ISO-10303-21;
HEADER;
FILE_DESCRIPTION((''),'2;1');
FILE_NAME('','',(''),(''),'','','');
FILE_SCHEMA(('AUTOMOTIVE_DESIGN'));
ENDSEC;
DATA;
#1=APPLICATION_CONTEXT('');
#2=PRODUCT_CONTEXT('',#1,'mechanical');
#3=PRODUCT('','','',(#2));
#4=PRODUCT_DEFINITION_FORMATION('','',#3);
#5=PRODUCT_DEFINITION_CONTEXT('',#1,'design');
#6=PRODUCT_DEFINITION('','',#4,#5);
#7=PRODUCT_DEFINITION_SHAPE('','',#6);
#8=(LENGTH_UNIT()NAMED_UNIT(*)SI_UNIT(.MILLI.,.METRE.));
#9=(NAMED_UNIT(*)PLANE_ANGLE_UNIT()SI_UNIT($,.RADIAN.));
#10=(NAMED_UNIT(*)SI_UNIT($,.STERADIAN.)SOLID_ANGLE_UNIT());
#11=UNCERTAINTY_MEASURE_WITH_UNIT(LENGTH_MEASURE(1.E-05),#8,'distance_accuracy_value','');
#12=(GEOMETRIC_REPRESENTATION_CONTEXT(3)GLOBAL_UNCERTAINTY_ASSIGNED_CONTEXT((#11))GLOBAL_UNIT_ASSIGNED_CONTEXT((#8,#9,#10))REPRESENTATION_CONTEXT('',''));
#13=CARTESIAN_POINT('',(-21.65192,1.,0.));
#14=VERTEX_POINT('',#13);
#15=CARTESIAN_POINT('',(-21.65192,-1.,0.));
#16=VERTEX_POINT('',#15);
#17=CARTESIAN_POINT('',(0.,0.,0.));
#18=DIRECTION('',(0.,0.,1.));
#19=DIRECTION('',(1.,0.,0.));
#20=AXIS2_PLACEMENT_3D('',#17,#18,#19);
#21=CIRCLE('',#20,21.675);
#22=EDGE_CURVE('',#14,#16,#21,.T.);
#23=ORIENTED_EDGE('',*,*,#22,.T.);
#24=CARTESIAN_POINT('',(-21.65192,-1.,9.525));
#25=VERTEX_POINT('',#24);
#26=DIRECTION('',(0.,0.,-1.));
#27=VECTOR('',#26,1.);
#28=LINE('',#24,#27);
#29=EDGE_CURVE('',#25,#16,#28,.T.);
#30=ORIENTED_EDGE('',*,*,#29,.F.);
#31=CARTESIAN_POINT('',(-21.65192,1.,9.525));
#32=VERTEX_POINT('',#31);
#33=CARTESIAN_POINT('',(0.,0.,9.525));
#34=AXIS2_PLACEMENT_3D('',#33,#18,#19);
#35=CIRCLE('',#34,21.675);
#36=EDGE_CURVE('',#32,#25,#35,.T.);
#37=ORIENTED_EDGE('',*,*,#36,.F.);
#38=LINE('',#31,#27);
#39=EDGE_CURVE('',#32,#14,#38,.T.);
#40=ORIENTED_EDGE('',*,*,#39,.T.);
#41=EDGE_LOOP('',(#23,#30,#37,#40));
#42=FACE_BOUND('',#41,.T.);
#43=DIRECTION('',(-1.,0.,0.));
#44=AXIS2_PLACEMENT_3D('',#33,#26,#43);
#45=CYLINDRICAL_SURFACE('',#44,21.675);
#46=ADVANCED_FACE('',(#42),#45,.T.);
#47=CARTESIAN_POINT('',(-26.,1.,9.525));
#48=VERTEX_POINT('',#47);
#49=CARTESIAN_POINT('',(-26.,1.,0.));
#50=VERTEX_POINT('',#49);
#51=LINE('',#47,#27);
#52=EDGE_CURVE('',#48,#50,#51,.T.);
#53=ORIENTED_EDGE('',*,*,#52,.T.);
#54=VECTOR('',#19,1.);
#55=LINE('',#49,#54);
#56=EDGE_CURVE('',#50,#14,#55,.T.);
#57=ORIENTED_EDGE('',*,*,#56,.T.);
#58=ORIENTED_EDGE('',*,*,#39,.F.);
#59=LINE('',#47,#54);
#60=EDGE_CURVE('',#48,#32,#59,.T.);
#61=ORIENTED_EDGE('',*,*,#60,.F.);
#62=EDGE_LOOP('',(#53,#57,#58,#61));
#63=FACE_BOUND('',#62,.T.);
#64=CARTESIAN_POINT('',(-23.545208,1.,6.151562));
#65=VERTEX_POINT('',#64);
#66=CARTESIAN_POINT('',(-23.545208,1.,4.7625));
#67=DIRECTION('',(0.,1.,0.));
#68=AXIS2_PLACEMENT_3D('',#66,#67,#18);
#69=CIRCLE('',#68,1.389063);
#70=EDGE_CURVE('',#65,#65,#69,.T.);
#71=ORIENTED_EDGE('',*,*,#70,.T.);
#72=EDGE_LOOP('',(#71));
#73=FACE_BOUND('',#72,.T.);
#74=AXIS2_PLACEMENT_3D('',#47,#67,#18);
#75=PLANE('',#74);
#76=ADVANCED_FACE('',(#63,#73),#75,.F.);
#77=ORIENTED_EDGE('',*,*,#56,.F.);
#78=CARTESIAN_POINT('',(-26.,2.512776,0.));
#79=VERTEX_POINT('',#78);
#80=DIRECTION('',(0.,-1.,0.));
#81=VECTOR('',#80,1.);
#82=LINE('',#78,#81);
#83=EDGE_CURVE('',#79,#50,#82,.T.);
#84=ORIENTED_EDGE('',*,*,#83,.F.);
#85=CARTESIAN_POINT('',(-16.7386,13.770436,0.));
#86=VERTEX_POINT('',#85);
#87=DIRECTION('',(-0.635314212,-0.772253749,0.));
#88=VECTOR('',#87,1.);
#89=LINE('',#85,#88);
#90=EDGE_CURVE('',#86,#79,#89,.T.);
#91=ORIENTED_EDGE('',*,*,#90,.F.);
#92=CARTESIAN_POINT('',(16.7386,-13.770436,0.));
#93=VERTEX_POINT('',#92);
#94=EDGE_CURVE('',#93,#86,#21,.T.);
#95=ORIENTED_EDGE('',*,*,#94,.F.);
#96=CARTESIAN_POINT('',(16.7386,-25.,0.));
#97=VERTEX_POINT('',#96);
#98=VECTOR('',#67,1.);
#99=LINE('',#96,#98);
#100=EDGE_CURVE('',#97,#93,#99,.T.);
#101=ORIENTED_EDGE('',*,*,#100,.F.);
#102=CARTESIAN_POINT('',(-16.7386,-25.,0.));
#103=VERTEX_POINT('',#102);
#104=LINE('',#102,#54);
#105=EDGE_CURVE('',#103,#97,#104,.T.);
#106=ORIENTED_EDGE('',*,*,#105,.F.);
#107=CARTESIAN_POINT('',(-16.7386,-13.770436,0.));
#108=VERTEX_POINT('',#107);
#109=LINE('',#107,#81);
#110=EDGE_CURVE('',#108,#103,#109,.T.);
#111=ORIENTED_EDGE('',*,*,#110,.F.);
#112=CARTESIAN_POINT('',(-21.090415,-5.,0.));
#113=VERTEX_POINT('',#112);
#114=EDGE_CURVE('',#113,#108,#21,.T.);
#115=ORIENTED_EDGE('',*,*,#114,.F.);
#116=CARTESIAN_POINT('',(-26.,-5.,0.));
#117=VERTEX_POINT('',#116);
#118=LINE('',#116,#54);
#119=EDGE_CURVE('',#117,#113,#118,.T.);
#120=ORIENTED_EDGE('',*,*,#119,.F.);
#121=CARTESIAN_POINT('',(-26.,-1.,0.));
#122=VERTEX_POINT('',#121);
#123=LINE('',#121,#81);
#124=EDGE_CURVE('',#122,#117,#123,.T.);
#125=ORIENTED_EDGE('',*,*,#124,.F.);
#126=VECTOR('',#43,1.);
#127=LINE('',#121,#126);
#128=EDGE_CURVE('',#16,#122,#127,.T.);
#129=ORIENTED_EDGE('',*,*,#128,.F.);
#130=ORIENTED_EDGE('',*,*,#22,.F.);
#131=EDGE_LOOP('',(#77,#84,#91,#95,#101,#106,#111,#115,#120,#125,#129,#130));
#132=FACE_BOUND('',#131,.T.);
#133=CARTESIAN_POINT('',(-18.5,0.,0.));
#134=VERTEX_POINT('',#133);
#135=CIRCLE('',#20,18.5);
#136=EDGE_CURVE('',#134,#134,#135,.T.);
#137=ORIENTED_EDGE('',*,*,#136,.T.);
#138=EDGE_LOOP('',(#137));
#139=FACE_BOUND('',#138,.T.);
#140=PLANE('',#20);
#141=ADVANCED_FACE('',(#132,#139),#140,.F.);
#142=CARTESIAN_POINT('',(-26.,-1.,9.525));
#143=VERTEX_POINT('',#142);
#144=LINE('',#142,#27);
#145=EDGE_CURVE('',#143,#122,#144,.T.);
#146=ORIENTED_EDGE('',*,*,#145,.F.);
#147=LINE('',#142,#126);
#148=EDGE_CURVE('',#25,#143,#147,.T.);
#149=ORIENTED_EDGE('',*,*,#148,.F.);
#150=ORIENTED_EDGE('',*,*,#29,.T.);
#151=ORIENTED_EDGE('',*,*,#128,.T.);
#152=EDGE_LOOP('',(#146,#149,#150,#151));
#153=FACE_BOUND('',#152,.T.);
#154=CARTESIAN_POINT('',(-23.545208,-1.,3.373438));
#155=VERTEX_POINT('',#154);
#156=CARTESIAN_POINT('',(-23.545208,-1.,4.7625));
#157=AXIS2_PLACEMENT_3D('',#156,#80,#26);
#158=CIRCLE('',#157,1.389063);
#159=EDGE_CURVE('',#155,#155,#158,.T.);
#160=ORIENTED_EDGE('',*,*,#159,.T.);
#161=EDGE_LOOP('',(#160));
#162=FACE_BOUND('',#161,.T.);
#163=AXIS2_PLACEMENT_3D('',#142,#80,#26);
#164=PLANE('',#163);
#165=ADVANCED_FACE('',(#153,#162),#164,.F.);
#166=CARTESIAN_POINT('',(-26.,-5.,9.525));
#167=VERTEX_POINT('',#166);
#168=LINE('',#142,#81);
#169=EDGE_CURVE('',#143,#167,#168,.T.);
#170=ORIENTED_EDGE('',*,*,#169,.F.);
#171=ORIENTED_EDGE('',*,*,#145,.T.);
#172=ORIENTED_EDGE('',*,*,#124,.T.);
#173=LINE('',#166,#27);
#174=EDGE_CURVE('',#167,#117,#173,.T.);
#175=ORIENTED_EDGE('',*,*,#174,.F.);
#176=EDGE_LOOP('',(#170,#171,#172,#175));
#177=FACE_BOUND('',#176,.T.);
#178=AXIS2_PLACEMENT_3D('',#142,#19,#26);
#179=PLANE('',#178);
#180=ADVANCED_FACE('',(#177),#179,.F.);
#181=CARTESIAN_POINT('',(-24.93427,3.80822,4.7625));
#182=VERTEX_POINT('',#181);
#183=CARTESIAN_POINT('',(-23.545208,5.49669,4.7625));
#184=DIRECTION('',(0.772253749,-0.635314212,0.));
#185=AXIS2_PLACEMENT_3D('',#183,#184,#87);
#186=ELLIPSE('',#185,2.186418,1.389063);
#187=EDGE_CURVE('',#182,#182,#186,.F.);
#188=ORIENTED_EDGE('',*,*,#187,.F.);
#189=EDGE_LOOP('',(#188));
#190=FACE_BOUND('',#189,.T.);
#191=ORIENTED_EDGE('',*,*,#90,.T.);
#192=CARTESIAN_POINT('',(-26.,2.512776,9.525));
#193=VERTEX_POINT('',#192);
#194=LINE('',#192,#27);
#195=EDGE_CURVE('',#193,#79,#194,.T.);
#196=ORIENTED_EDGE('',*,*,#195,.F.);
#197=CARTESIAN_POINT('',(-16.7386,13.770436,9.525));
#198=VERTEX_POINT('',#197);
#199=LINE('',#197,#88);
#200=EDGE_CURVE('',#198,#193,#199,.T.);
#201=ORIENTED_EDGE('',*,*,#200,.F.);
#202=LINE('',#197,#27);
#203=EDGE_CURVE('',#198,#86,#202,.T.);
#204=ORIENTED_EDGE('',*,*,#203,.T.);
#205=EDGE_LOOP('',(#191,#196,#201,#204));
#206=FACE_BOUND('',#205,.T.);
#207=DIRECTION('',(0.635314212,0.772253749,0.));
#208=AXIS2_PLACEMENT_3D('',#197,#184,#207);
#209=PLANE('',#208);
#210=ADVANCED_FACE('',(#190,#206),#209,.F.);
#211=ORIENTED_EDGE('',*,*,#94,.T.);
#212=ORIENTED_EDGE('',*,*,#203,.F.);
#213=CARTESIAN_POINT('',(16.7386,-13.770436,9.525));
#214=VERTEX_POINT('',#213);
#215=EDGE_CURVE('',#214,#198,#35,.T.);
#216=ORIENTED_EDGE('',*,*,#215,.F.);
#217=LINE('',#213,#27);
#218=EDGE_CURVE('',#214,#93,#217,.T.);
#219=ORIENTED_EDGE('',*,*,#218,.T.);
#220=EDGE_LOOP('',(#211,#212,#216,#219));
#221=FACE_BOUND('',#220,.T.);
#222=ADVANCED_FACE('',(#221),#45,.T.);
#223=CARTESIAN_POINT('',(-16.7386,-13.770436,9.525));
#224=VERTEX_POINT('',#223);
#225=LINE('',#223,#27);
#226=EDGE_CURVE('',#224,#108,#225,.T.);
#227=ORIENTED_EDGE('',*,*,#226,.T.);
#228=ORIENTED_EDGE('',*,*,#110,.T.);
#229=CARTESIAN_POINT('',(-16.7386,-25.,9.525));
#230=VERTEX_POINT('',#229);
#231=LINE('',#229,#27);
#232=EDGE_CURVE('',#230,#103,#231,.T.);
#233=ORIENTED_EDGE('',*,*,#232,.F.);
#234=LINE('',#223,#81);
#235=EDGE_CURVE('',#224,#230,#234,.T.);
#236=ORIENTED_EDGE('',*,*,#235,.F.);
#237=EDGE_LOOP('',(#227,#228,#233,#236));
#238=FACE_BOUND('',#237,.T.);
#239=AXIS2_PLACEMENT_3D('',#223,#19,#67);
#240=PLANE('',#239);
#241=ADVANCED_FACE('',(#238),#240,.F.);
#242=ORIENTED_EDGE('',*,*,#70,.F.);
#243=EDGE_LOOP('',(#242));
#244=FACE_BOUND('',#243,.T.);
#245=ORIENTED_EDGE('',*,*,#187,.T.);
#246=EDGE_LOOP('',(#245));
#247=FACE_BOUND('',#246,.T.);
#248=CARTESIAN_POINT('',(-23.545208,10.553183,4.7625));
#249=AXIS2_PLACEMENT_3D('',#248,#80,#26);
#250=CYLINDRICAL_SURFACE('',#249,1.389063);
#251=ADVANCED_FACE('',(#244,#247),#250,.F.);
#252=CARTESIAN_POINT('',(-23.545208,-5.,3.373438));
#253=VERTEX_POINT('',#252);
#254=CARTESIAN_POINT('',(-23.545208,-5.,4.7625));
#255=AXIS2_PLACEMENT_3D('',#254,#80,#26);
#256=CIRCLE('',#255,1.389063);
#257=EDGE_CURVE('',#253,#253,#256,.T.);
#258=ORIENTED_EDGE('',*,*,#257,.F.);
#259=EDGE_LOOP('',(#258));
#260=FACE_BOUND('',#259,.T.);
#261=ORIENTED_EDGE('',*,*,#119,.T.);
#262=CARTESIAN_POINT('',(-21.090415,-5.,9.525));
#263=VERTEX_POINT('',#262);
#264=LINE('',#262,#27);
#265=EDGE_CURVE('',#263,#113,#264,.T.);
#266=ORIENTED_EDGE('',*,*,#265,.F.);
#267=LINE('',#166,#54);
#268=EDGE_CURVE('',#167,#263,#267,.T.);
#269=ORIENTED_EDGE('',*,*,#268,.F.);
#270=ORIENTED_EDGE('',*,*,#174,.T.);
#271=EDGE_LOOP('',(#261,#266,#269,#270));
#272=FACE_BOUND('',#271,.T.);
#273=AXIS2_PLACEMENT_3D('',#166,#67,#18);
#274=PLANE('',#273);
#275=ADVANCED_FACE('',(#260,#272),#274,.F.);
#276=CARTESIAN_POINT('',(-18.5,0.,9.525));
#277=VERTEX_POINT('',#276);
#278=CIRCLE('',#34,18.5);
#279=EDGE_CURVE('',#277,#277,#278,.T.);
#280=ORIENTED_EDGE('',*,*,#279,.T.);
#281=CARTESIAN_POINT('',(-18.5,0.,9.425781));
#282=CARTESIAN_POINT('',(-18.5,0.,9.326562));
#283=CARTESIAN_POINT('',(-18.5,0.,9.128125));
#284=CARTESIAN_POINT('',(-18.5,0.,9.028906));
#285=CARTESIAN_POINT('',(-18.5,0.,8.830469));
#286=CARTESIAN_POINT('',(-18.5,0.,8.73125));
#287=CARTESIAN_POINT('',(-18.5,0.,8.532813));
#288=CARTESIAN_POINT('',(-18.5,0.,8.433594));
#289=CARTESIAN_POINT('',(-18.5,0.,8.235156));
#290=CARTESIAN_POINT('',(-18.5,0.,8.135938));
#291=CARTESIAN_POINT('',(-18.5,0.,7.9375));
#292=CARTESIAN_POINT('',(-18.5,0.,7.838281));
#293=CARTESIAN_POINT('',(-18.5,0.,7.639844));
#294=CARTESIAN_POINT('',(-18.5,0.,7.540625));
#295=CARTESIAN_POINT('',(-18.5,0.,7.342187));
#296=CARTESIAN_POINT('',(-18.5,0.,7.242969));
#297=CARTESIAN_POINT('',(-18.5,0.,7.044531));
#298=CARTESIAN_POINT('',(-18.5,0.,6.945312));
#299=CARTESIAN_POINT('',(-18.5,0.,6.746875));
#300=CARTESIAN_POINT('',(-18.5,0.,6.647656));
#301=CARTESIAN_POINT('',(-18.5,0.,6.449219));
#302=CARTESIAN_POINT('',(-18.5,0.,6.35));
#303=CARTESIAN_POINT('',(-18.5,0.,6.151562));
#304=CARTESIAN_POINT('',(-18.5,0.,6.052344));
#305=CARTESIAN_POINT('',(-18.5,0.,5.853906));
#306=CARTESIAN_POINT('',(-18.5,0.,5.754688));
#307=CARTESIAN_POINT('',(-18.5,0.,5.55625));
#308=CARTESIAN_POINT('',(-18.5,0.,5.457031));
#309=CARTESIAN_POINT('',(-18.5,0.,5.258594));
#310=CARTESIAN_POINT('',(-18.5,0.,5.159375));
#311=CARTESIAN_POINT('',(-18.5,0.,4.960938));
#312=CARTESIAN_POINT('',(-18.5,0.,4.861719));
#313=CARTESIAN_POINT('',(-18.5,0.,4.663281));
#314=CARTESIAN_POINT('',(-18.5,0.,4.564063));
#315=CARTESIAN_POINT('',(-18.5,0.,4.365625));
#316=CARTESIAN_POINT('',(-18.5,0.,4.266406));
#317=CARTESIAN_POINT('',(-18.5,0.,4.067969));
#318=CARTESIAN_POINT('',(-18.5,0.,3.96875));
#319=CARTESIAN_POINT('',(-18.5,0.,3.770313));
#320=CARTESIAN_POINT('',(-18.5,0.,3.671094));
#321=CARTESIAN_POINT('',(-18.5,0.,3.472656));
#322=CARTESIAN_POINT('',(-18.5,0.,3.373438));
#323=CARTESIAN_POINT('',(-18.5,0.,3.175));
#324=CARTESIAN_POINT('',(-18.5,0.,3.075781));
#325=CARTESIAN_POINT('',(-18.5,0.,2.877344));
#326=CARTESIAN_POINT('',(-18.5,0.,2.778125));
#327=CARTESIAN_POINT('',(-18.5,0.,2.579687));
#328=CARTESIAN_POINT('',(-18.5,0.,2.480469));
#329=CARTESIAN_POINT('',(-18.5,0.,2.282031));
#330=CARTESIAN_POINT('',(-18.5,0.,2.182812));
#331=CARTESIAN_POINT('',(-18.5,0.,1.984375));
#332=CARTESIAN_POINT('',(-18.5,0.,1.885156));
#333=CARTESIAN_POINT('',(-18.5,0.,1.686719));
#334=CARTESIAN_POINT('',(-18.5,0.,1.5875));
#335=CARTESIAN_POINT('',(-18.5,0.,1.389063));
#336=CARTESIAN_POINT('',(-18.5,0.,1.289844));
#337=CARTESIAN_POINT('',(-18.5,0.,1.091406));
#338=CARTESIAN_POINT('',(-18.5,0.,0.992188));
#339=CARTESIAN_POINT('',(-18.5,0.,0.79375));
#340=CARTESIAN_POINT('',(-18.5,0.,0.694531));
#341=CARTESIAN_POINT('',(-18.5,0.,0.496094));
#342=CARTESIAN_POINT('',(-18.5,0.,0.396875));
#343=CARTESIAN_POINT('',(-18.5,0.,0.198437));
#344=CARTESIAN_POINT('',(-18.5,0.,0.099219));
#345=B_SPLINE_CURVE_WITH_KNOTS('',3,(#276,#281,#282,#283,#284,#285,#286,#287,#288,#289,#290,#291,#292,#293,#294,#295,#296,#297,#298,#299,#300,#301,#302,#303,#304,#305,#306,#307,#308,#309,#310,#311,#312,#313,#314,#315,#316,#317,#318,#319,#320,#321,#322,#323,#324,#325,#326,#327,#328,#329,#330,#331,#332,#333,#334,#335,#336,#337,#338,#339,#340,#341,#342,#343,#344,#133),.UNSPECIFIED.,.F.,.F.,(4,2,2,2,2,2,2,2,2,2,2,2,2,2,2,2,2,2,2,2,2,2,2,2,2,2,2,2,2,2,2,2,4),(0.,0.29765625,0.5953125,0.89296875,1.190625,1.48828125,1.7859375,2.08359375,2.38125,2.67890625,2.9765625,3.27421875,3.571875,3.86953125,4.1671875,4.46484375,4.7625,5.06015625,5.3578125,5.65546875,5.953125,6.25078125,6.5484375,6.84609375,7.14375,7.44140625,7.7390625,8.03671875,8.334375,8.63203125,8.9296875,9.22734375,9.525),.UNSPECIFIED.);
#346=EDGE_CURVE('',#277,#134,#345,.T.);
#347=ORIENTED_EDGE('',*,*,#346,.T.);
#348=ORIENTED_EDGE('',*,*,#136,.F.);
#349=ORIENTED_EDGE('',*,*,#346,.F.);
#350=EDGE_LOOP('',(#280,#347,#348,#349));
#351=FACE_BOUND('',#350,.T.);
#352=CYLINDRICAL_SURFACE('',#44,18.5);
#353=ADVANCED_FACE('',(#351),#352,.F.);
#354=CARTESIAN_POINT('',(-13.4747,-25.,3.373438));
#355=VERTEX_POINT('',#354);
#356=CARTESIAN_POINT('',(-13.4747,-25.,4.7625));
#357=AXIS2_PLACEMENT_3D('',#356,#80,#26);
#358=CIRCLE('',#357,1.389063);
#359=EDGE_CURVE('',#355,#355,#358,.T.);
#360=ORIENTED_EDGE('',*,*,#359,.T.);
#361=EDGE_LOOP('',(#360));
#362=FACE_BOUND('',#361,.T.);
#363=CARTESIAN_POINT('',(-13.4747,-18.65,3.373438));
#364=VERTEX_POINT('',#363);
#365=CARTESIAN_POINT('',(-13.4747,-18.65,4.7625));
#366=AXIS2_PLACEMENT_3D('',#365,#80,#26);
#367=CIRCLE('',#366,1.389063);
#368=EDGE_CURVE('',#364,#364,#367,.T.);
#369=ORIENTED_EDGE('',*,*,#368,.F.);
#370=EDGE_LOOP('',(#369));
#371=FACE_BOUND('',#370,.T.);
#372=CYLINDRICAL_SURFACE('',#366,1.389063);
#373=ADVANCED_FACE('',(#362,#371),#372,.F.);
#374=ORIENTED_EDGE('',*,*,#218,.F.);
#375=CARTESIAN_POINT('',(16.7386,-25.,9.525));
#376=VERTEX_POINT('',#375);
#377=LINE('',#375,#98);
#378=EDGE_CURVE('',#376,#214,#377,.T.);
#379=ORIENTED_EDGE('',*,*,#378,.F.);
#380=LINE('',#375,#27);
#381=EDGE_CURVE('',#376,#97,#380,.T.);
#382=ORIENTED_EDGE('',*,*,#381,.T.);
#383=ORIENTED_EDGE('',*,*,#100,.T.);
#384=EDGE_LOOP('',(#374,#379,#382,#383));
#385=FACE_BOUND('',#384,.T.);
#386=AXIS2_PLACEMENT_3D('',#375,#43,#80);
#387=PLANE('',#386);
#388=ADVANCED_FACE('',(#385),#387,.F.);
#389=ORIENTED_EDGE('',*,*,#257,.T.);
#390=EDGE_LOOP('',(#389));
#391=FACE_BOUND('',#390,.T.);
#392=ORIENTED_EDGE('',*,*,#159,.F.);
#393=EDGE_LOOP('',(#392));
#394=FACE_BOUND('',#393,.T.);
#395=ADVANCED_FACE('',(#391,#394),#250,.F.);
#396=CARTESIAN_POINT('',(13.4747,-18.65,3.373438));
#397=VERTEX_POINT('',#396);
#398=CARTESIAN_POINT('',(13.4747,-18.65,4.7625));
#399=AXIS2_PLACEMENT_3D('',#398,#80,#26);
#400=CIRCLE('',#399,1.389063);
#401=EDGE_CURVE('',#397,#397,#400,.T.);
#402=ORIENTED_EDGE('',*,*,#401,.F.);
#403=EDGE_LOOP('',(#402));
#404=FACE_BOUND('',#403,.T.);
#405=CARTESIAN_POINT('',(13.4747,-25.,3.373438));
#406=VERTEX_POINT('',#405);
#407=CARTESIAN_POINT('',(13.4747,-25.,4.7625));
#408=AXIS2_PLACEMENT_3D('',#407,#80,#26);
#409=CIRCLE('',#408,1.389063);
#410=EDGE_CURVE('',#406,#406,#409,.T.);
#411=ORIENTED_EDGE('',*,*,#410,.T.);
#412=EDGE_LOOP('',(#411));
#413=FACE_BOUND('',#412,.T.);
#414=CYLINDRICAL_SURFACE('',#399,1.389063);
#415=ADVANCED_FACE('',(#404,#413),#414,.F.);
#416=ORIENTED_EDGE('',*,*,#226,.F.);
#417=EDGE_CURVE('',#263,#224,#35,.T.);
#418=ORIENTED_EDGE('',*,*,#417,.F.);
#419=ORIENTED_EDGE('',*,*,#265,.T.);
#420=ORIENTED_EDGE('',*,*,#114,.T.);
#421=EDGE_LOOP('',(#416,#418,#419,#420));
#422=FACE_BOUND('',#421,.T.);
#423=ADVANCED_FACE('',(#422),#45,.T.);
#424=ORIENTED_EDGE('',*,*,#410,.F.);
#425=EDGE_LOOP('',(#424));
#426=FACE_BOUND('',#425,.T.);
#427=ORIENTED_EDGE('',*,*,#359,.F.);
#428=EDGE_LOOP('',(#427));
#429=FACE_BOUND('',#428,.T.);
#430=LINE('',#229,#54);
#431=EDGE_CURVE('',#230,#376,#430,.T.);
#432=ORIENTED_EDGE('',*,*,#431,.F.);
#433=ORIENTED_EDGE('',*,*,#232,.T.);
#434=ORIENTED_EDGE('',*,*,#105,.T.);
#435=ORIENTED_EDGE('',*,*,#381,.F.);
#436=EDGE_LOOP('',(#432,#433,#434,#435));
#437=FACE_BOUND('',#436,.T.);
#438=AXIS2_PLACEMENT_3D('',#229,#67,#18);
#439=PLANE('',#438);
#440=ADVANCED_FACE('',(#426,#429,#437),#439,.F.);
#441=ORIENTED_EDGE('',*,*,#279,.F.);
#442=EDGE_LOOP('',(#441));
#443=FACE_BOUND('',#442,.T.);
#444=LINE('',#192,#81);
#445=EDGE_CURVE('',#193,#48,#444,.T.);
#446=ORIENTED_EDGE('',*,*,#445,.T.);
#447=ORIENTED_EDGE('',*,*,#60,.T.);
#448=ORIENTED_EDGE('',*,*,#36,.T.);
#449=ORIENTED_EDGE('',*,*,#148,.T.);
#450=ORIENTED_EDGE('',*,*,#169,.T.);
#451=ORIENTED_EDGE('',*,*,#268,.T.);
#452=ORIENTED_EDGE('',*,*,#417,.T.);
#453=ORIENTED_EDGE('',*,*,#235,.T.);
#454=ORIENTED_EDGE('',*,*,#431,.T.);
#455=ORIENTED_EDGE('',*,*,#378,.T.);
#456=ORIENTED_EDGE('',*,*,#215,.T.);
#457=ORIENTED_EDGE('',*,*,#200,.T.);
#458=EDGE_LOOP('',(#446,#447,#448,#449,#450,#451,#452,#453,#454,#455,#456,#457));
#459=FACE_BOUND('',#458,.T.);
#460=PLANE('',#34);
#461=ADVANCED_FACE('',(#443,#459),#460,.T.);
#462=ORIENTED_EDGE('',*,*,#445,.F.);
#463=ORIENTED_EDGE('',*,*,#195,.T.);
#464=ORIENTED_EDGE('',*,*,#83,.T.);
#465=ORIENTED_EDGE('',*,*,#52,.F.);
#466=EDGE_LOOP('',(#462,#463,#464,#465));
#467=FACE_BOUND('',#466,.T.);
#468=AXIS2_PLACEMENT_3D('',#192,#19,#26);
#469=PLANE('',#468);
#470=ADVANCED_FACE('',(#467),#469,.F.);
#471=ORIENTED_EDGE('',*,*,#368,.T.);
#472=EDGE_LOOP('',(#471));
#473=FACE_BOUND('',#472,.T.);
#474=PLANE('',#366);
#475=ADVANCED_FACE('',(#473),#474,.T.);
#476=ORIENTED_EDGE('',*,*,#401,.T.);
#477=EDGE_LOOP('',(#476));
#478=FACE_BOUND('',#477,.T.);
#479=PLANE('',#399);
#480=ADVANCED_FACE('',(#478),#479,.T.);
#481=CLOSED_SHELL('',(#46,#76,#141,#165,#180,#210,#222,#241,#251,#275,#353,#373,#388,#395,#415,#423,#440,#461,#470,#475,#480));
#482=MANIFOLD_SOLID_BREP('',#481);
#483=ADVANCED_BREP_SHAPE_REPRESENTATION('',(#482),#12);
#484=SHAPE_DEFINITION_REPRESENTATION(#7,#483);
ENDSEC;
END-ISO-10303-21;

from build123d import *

# Parameters (mm, degrees)
SKETCH1_R           = 18.5
BOSS_EXTRUDE1_DEPTH = 9.525
SKETCH2_R           = 1.3890625
CUT_EXTRUDE1_DEPTH  = 6.35
CUT_EXTRUDE2_REACH  = 40.448
SKETCH3_R           = 1.3890625


with BuildPart() as part:
    # Sketch1 → Boss-Extrude1 (new body)
    with BuildSketch(Plane.XY):
        with BuildLine():
            Line((-16.7386, 13.770435543), (-26, 2.512776367))
            Line((-26, 2.512776367), (-26, 1))
            Line((-26, 1), (-21.651919661, 1))
            ThreePointArc((-21.651919661, 1), (-21.675, 0), (-21.651919661, -1))
            Line((-21.651919661, -1), (-26, -1))
            Line((-26, -1), (-26, -5))
            Line((-26, -5), (-21.090415477, -5))
            ThreePointArc((-21.090415477, -5), (-19.416197823, -9.634152122), (-16.7386, -13.770435543))
            Line((-16.7386, -13.770435543), (-16.7386, -25))
            Line((-16.7386, -25), (16.7386, -25))
            Line((16.7386, -25), (16.7386, -13.770435543))
            ThreePointArc((16.7386, -13.770435543), (13.770435543, 16.7386), (-16.7386, 13.770435543))
        make_face()
        with Locations(Location((0, 0, 0), (0, 0, 180))):
            Circle(SKETCH1_R, mode=Mode.SUBTRACT)
    extrude(amount=BOSS_EXTRUDE1_DEPTH)

    # Sketch2 → Cut-Extrude1 (cut)
    with BuildSketch(Plane.XZ.offset(25)):
        with Locations(Location((-13.4747, 4.7625, 0), (0, 0, 270))):
            Circle(SKETCH2_R)
        with Locations(Location((13.4747, 4.7625, 0), (0, 0, 270))):
            Circle(SKETCH2_R)
    extrude(amount=-CUT_EXTRUDE1_DEPTH, mode=Mode.SUBTRACT)

    # Cut-Extrude2: up to this plane
    cut_extrude2_end = Plane(origin=(-16.7386, 13.770435543, 9.525), z_dir=(0.7722537485582471, -0.635314211896551, 0))
    # Sketch3 → Cut-Extrude2 (cut, up to the surface)
    with BuildSketch(Plane.XZ.offset(5), mode=Mode.PRIVATE) as cut_extrude2_sk1:
        with Locations(Location((-23.545207739, 4.7625, 0), (0, 0, 180))):
            Circle(SKETCH3_R)
    cut_extrude2_tool1 = split(extrude(cut_extrude2_sk1.sketch, amount=-CUT_EXTRUDE2_REACH, mode=Mode.PRIVATE), bisect_by=cut_extrude2_end, keep=Keep.BOTH, mode=Mode.PRIVATE)
    add(cut_extrude2_tool1.solids().sort_by_distance((-23.545208, -5, 4.7625))[0], mode=Mode.SUBTRACT)


solid = part.part
